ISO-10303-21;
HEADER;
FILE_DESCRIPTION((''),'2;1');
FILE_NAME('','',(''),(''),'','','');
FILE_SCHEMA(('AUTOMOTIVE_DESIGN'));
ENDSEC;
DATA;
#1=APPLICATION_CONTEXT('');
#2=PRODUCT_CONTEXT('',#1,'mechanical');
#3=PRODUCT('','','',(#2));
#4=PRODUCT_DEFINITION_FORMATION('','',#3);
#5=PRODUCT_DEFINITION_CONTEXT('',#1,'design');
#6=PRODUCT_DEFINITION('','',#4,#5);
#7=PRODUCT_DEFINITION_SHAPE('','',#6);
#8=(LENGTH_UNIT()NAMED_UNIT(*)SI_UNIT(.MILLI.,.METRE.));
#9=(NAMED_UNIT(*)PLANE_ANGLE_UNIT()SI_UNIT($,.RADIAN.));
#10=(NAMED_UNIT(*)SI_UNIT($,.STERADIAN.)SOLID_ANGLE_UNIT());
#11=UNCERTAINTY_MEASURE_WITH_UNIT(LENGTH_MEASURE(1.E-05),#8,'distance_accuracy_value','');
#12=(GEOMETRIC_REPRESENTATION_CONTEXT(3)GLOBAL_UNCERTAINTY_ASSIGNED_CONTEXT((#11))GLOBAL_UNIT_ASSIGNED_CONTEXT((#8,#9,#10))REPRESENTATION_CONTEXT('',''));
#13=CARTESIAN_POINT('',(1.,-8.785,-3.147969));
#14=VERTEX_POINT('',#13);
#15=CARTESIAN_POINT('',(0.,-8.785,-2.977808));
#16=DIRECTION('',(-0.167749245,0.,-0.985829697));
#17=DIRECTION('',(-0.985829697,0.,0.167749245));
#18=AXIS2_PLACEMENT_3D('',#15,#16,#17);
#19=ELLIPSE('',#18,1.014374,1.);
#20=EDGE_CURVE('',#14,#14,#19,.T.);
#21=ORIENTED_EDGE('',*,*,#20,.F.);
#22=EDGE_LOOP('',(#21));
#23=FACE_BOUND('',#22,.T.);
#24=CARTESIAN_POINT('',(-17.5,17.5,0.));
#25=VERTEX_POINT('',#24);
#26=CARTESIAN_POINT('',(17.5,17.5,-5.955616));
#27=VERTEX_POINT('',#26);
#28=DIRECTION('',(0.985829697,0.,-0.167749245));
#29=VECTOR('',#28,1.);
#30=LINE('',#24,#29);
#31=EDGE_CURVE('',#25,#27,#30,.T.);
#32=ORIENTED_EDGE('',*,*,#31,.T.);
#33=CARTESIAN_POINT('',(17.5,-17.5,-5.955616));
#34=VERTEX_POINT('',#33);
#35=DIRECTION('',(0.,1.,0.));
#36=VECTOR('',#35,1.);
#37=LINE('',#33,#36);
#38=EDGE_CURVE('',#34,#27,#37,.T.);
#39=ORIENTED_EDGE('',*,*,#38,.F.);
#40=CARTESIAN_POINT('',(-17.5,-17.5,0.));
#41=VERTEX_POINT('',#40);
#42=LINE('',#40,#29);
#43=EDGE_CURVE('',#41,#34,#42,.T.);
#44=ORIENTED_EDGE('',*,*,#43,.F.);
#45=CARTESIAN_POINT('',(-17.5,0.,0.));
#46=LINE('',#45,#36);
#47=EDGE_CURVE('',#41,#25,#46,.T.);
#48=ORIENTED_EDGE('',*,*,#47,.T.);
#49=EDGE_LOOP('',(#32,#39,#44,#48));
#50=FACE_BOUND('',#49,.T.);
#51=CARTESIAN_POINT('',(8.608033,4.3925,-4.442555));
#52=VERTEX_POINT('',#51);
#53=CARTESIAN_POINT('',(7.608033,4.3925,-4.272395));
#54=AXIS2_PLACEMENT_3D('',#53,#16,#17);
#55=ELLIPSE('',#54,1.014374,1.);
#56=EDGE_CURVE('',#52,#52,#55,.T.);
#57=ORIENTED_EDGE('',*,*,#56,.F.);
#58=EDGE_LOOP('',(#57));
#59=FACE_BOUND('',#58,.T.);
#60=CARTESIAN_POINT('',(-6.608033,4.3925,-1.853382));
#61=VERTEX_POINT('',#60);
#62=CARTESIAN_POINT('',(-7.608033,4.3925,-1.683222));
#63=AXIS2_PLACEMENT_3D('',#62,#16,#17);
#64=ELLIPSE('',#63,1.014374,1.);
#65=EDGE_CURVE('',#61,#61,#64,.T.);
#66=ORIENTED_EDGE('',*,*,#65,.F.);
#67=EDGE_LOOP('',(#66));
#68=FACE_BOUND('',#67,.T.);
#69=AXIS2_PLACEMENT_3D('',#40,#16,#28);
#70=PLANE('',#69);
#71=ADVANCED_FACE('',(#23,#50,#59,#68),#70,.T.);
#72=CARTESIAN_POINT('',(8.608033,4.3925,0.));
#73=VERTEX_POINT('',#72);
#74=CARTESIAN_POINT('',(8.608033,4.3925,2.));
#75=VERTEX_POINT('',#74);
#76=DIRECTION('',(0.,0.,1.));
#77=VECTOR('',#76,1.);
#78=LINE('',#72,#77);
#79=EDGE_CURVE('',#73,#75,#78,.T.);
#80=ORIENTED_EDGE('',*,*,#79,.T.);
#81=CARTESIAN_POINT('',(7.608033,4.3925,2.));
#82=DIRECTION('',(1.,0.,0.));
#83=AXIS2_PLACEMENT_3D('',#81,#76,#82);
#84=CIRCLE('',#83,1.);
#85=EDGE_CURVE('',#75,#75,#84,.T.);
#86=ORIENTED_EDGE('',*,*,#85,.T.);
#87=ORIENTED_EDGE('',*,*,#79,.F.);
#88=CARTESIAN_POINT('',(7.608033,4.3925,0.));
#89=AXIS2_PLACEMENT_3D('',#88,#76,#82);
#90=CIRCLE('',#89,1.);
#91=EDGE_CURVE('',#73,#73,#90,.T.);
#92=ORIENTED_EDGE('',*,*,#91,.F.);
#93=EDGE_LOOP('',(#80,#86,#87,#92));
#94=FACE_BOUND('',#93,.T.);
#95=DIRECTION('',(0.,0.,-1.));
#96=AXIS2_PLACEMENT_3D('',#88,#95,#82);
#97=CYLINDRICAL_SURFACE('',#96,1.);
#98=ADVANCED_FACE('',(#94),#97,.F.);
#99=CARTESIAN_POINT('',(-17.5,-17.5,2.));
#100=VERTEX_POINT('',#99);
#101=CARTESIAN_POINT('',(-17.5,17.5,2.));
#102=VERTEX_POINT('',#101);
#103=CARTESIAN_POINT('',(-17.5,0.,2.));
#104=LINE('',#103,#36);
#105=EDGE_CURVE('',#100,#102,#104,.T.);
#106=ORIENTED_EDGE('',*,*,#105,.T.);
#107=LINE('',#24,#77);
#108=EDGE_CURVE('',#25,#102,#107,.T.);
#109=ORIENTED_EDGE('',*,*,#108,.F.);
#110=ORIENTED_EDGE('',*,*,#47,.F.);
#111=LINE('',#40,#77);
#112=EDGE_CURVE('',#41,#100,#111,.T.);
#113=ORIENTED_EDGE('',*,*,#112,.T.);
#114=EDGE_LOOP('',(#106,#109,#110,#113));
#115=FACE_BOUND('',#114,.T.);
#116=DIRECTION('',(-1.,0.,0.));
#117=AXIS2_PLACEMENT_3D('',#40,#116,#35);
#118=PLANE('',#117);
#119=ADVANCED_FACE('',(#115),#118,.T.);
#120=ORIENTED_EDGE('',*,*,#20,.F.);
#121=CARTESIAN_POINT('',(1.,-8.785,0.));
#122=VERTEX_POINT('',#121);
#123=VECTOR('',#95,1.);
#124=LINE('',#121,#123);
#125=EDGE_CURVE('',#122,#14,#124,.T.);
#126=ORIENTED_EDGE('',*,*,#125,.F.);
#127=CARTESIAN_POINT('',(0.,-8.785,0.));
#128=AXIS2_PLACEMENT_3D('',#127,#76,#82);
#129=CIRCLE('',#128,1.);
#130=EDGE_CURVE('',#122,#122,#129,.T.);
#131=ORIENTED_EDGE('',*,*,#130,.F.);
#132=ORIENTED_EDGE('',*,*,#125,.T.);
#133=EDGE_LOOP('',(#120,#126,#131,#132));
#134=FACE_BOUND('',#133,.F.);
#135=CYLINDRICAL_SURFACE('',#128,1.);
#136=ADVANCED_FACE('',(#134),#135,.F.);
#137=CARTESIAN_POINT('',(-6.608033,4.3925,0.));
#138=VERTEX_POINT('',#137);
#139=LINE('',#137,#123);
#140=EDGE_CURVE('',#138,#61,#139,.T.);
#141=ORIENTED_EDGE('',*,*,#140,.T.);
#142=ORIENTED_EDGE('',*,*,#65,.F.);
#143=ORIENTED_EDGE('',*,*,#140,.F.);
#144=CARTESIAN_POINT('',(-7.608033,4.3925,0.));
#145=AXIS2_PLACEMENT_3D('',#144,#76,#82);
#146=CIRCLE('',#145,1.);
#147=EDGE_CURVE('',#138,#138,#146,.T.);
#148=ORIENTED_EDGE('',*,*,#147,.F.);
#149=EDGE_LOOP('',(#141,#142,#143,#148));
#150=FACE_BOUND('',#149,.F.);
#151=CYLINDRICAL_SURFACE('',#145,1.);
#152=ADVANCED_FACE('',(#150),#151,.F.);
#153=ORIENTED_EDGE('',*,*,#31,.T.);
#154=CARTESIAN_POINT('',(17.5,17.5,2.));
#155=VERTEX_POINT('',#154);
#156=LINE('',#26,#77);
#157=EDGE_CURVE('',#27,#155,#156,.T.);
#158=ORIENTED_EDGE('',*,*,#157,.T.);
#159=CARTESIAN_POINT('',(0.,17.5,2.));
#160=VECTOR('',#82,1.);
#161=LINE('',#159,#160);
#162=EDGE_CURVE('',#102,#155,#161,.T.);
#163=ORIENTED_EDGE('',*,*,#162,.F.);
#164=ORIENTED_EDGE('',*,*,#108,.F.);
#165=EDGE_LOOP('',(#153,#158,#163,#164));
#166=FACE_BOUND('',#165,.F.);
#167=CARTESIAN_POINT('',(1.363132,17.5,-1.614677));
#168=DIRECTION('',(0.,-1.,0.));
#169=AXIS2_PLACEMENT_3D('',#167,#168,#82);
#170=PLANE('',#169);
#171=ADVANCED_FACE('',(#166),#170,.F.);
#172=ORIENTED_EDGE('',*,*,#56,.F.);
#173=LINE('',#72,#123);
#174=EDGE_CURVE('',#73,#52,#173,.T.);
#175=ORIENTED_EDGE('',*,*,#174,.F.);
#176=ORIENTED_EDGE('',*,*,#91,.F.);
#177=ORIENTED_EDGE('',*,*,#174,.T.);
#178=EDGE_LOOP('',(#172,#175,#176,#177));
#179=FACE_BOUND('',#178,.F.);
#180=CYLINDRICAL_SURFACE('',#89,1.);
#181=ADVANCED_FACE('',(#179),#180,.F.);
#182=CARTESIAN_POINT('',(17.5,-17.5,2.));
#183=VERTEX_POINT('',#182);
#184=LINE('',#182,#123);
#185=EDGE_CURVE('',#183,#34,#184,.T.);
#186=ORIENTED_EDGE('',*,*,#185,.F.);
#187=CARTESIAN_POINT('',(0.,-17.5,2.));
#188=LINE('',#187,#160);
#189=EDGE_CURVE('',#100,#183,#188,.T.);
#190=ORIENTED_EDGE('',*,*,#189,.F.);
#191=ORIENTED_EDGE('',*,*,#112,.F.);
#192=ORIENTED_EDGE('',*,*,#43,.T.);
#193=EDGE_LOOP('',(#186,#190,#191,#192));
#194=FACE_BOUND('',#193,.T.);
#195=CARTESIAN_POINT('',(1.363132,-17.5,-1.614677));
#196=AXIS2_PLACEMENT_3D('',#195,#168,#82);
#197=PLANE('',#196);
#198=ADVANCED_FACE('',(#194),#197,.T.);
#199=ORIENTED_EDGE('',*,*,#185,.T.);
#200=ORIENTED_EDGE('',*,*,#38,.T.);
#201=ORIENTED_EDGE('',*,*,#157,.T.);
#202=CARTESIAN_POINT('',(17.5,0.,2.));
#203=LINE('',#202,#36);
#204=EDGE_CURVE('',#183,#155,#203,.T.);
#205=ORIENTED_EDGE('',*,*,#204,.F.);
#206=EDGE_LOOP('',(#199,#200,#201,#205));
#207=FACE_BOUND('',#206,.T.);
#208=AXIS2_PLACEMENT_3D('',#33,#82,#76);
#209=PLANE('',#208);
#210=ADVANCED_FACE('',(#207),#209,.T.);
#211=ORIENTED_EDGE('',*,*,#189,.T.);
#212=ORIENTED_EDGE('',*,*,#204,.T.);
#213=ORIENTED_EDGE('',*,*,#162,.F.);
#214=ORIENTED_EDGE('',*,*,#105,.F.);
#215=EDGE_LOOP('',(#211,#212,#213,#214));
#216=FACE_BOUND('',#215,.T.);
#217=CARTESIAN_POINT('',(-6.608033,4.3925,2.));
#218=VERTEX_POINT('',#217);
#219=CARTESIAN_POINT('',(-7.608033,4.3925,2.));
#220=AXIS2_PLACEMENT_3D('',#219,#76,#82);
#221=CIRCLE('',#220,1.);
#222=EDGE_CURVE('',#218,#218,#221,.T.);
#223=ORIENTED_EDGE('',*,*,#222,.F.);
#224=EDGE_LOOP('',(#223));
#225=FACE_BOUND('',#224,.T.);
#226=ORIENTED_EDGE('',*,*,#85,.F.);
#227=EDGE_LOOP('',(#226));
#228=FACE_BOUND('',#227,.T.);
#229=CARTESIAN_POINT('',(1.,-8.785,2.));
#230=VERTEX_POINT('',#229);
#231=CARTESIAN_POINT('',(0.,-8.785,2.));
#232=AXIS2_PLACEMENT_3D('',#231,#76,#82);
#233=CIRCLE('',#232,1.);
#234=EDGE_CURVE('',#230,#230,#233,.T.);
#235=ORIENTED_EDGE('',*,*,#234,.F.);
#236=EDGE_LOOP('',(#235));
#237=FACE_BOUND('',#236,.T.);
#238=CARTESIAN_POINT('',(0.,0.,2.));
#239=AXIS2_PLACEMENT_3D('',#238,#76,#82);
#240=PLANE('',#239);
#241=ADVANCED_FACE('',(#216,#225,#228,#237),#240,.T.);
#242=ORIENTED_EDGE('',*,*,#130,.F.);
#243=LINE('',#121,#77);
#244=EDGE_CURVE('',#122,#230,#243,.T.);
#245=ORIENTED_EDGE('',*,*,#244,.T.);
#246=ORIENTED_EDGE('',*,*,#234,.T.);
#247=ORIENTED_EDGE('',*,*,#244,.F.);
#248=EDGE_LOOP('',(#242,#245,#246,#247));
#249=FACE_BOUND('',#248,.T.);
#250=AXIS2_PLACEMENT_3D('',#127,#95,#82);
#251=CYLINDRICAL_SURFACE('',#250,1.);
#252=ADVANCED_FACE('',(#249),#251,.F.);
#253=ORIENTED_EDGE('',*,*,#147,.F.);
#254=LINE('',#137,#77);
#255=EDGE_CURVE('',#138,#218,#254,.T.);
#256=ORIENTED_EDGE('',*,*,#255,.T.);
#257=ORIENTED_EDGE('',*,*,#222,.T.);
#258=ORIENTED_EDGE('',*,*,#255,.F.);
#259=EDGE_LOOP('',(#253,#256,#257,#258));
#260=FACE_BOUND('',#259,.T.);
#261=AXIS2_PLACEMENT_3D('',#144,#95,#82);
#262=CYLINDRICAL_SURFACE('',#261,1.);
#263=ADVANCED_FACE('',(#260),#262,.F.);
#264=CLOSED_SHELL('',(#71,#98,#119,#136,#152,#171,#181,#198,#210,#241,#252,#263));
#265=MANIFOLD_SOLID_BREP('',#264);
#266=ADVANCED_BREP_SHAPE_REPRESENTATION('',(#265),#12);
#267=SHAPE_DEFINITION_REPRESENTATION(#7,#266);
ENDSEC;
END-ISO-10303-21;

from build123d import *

# Parameters (mm, degrees)
F0_W     = 35
F0_H     = 35
F0_R     = 11.285
F0_R_2   = 1
F1_DEPTH = 2
F3_DEPTH = 35
F4_DEPTH = 25


with BuildPart() as f1:
    # F0 (on Top) → F1 (new body)
    with BuildSketch(Plane.XY):
        Rectangle(F0_W, F0_H)
        Circle(F0_R, mode=Mode.SUBTRACT)
        Circle(F0_R)
        with Locations((0, -8.785)):
            Circle(F0_R_2, mode=Mode.SUBTRACT)
        with Locations((-7.6080331722, 4.3925)):
            Circle(F0_R_2, mode=Mode.SUBTRACT)
        with Locations((7.6080331722, 4.3925)):
            Circle(F0_R_2, mode=Mode.SUBTRACT)
    extrude(amount=F1_DEPTH)

    # F2 (on face) → F3 (join, through all)
    with BuildSketch(Plane.XZ.offset(17.5)):
        Polygon((17.5, -5.9556164779), (17.5, 0), (-17.5, 0), align=None)
    extrude(amount=-F3_DEPTH)

    # F4 (cut): faces of the model
    f4_faces = [f1.faces().sort_by_distance(p)[0] for p in [
        (7.6080331722, 4.3925, 0),
        (0, -8.785, 0),
        (-7.6080331722, 4.3925, 0),
    ]]
    extrude(f4_faces, amount=-F4_DEPTH, mode=Mode.SUBTRACT)


solid = f1.part
